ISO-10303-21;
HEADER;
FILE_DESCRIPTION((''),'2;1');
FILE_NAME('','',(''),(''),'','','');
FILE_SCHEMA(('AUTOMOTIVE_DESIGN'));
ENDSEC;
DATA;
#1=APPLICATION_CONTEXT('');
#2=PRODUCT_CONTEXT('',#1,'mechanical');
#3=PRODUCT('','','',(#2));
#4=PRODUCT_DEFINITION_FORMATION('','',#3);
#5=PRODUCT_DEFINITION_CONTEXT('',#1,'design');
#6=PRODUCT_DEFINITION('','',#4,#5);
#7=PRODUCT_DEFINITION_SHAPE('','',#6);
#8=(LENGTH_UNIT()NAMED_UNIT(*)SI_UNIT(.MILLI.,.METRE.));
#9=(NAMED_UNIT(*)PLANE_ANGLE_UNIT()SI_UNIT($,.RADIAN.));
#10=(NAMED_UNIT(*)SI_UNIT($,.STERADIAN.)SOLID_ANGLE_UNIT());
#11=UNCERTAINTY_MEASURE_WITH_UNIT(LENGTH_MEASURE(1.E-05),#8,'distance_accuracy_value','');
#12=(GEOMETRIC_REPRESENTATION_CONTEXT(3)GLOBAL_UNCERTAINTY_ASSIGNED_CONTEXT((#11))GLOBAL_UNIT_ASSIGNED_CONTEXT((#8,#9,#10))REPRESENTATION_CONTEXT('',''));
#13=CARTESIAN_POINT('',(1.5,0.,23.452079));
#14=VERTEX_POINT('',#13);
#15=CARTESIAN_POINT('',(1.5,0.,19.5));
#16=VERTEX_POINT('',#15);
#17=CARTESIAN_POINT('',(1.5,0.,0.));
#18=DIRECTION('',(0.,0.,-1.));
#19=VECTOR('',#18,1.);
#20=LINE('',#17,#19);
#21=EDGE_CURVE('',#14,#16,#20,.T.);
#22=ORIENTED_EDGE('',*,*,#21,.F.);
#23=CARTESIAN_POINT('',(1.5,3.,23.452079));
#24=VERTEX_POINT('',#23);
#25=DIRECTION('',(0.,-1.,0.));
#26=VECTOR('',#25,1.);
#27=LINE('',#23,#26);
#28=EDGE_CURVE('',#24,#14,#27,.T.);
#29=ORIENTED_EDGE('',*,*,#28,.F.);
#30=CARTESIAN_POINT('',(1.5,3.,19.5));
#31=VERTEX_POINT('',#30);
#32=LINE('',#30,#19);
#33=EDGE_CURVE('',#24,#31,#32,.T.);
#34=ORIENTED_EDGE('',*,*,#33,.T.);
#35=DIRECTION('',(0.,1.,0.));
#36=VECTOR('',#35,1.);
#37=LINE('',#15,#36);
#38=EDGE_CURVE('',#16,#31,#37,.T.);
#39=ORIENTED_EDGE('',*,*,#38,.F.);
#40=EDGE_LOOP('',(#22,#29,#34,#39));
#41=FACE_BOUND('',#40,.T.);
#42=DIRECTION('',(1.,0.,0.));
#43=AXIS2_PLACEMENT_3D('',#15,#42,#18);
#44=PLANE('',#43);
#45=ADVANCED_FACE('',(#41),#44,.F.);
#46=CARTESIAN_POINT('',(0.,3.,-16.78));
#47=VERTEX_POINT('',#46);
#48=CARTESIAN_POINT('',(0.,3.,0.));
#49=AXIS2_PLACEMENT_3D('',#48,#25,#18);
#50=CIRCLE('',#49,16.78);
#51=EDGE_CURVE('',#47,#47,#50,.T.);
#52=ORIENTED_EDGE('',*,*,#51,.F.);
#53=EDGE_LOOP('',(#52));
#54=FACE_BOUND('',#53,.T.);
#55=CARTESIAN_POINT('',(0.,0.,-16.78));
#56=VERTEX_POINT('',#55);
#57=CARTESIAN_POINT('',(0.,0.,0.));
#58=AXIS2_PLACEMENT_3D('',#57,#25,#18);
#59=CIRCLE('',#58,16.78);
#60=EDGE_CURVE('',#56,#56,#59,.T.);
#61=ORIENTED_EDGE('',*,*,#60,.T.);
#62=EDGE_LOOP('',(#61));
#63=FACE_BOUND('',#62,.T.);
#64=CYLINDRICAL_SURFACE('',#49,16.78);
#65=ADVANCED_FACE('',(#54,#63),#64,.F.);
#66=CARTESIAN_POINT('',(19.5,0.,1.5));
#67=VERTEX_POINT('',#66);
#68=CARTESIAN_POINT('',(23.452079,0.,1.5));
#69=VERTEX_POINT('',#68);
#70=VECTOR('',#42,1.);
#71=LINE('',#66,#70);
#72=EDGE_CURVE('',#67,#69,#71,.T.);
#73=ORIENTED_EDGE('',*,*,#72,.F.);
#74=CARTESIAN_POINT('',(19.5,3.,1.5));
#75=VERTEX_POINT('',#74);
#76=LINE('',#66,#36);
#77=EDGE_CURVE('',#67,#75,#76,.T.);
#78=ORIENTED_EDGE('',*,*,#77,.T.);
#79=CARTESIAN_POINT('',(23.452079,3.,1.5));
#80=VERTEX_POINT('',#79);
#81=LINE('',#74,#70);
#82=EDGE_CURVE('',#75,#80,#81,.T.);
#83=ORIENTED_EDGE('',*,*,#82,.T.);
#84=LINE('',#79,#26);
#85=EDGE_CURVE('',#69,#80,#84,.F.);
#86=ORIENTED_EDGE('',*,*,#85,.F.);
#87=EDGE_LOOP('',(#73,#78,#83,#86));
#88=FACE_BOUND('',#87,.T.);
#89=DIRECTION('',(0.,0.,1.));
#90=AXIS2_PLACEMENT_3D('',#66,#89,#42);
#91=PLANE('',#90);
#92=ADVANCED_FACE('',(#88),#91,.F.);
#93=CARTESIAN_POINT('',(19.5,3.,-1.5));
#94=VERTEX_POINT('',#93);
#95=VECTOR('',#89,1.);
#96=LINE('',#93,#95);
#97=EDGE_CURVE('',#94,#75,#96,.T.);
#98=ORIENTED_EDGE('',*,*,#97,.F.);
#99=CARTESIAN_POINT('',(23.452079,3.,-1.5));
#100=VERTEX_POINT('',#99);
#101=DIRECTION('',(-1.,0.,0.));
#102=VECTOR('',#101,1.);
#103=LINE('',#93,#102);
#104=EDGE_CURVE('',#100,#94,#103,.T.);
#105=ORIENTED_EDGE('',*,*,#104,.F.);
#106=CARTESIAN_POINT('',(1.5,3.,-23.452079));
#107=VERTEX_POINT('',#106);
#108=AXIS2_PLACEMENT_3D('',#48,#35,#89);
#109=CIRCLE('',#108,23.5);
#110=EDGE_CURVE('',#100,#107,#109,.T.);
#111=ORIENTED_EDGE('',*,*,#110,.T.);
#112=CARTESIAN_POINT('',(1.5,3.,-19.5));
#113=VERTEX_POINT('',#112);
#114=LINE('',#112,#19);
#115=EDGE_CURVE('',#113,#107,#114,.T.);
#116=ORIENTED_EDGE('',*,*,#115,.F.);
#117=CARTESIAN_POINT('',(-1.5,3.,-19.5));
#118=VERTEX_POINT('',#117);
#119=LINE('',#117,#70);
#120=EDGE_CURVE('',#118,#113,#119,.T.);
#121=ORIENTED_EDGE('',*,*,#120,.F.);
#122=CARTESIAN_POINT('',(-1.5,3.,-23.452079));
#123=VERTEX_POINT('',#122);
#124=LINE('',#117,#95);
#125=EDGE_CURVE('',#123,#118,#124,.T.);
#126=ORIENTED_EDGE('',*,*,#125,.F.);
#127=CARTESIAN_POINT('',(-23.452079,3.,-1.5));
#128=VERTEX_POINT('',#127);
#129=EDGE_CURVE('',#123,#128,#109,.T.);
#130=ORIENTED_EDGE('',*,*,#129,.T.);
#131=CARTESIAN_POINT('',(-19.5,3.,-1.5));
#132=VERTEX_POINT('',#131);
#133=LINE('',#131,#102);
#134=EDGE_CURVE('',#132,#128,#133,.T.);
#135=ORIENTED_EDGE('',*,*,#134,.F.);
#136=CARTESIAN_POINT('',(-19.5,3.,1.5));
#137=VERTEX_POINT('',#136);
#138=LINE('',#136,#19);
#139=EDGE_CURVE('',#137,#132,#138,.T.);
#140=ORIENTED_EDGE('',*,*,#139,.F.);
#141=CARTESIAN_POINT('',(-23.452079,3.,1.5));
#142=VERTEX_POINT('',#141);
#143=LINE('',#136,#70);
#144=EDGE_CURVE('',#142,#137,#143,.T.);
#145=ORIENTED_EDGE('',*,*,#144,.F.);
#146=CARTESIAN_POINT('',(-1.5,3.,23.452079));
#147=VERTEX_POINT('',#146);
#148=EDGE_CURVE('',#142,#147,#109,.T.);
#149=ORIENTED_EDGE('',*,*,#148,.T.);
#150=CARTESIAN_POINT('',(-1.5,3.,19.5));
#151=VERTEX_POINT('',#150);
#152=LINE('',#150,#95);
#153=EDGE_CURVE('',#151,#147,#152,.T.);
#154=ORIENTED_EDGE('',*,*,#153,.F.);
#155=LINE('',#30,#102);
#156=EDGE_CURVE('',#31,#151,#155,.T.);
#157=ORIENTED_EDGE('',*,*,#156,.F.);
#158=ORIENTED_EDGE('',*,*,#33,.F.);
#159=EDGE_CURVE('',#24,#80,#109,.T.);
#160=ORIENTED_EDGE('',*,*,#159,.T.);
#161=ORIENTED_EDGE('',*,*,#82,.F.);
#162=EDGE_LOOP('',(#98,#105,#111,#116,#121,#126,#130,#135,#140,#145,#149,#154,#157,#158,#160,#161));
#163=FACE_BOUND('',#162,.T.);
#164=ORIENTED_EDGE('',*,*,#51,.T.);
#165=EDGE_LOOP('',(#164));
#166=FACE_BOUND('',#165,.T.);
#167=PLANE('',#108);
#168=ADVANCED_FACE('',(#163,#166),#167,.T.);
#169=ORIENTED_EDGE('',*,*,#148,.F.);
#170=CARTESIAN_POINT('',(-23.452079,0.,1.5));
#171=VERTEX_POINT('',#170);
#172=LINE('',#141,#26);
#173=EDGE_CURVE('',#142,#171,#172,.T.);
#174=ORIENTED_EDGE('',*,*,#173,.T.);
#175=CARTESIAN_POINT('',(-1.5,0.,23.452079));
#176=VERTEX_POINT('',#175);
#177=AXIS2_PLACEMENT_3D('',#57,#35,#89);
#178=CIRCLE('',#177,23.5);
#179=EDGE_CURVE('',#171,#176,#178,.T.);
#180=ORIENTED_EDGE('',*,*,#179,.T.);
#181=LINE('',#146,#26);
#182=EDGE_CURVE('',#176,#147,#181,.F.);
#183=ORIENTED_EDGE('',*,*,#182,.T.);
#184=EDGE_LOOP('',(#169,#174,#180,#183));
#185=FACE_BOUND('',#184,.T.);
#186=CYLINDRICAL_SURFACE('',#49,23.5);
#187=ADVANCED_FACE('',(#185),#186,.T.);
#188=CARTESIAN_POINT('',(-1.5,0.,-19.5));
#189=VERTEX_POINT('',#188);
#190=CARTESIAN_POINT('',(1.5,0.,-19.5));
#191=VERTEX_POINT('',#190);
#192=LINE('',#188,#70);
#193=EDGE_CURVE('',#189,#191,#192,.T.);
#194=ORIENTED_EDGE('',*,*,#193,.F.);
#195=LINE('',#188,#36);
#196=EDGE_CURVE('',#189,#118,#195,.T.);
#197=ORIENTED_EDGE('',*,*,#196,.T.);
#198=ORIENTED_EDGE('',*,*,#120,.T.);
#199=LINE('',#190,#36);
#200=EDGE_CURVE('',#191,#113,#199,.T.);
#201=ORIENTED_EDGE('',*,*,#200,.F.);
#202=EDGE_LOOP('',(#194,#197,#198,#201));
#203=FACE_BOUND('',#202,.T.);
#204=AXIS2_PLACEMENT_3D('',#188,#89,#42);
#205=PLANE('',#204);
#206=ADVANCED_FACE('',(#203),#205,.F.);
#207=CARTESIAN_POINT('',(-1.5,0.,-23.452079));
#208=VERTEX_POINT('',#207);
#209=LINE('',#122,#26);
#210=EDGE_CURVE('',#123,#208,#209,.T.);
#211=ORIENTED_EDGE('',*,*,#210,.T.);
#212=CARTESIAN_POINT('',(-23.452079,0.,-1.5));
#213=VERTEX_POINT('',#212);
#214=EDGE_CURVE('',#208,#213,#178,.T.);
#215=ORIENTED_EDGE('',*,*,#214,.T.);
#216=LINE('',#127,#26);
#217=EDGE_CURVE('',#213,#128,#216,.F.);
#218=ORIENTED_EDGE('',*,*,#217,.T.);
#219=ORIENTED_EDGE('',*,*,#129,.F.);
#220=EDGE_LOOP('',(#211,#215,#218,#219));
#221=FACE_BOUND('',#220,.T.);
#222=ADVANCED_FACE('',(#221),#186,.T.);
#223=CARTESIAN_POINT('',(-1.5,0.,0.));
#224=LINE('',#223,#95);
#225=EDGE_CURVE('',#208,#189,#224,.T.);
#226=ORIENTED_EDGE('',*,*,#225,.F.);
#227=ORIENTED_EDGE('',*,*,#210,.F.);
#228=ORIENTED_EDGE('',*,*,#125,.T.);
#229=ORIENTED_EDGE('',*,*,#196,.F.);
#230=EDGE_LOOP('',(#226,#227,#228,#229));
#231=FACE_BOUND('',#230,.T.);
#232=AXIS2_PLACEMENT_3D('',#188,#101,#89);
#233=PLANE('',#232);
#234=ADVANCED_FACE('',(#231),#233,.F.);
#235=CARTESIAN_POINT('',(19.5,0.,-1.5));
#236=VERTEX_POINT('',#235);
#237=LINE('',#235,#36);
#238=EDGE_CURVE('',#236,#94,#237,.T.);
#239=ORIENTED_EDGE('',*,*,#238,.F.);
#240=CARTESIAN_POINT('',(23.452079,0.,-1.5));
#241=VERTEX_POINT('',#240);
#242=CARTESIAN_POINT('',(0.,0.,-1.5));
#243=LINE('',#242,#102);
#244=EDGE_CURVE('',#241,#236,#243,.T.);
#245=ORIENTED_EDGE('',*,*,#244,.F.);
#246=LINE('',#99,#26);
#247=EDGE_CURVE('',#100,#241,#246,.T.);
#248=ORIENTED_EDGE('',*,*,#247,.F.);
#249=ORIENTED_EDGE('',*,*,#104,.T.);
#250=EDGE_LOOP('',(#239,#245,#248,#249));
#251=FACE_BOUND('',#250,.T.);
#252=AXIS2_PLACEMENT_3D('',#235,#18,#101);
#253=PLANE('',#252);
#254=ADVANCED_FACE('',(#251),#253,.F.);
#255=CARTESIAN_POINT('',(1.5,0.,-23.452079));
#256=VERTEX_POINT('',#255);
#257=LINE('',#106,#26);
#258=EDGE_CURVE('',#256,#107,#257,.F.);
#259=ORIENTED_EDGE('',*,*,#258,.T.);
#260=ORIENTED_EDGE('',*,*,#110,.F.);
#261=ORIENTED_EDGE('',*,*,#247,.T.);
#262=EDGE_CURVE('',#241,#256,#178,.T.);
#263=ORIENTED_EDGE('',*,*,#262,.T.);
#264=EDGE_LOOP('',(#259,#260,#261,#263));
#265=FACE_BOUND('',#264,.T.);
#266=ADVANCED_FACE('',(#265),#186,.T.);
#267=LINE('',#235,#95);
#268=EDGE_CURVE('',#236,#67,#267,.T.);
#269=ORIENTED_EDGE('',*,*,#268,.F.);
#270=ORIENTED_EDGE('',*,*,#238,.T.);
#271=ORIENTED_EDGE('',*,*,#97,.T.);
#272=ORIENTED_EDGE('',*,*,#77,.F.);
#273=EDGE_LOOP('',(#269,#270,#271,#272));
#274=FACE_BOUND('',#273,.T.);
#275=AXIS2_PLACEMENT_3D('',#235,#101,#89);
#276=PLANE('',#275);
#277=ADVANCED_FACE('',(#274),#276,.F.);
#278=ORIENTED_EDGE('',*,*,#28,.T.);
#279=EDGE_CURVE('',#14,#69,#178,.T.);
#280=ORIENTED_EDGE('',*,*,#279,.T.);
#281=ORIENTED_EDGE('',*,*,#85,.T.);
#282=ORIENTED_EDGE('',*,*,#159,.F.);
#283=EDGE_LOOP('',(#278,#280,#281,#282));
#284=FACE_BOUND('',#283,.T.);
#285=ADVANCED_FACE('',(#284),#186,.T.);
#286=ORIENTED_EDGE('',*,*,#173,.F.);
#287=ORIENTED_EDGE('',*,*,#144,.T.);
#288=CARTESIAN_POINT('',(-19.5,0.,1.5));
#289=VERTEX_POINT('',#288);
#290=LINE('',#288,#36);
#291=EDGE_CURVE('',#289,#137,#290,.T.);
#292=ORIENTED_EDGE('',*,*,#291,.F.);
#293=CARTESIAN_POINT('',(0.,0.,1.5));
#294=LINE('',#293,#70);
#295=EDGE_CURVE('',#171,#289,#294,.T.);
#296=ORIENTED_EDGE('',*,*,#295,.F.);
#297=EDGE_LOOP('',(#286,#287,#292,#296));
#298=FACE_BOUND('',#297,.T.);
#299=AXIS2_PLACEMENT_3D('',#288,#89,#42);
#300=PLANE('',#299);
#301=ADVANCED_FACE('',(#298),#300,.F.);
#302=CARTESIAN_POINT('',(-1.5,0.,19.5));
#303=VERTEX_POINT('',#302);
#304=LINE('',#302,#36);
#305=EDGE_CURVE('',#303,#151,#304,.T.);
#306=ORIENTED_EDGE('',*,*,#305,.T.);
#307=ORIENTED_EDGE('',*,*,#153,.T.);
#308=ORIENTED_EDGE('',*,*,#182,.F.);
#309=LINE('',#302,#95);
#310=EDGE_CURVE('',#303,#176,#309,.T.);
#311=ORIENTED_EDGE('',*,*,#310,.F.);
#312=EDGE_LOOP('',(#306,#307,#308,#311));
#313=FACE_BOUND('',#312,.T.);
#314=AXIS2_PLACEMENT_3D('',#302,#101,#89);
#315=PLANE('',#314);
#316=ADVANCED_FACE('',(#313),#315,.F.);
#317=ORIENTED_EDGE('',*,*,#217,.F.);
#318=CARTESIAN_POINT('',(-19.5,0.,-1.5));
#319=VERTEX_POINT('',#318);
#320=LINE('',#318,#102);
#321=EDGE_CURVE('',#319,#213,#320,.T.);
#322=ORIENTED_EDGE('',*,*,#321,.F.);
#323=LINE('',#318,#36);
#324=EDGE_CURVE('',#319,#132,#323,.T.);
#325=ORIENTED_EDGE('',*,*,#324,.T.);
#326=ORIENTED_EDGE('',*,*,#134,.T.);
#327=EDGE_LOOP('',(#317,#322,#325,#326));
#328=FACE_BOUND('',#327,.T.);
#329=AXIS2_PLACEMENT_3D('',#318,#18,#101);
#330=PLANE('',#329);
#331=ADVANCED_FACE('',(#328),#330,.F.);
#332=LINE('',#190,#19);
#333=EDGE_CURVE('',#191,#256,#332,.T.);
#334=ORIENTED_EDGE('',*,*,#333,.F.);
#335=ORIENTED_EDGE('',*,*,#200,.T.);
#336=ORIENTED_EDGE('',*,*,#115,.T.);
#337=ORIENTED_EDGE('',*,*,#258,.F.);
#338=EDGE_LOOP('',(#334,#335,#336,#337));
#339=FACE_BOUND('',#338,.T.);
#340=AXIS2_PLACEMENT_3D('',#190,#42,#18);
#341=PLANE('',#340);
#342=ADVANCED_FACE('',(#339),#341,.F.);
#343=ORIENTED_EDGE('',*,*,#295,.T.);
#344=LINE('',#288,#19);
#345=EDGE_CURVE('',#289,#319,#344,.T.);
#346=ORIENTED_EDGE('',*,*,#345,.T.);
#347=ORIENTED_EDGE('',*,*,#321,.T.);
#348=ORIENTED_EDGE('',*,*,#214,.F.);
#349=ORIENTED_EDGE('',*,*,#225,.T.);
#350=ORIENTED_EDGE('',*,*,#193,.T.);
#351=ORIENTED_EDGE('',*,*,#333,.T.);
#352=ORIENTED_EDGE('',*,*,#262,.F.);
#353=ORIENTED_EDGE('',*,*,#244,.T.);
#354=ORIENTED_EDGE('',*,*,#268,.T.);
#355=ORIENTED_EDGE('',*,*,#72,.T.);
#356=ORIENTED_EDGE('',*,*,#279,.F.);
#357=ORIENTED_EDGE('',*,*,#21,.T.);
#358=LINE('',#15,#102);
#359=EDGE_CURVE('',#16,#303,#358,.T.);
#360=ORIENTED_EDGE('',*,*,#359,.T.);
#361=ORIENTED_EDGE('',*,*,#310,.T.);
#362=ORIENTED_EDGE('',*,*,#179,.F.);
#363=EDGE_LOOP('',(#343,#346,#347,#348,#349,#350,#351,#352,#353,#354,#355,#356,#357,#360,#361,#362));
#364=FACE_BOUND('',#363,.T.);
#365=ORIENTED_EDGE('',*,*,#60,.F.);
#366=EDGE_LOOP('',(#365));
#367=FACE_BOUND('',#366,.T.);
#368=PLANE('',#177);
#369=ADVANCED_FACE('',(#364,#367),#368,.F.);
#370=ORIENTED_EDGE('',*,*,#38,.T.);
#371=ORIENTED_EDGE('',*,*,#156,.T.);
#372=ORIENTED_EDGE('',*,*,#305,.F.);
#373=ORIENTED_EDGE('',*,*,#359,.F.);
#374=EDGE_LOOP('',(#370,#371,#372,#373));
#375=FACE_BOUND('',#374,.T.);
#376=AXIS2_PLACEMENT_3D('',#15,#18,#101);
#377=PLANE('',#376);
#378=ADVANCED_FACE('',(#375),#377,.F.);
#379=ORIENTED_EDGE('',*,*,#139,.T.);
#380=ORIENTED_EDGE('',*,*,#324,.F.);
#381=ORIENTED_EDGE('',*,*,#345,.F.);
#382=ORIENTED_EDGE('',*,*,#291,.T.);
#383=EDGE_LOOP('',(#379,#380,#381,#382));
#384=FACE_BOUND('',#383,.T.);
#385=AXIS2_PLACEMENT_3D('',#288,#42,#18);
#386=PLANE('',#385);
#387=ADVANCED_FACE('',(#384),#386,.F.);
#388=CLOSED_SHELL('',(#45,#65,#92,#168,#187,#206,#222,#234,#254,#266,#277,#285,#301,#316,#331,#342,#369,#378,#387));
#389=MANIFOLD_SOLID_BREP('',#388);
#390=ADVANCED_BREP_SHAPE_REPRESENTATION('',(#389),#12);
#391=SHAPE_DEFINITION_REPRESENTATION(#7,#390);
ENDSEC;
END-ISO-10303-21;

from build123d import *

# Parameters (mm, degrees)
SKICA4_R                 = 23.5
P_IDAT_VYSUNUT_M1_DEPTH  = 3
SKICA6_R                 = 16.78
ODEBRAT_VYSUNUT_M2_DEPTH = 3
SKICA7_W                 = 3
SKICA7_H                 = 6.382195619
SKICA7_W_2               = 6.382195619
SKICA7_H_2               = 3
ODEBRAT_VYSUNUT_M3_DEPTH = 3


with BuildPart() as part:
    # Skica4 → Přidat vysunutím1 (new body)
    with BuildSketch(Plane(origin=(0, 0, 0), x_dir=(1, 0, 0), z_dir=(0, 1, 0))):
        with Locations(Location((0, 0, 0), (0, 0, 270))):
            Circle(SKICA4_R)
    extrude(amount=P_IDAT_VYSUNUT_M1_DEPTH)

    # Skica6 → Odebrat vysunutím2 (cut)
    with BuildSketch(Plane.XZ):
        with Locations(Location((0, 0, 0), (0, 0, 270))):
            Circle(SKICA6_R)
    extrude(amount=-ODEBRAT_VYSUNUT_M2_DEPTH, mode=Mode.SUBTRACT)

    # Skica7 → Odebrat vysunutím3 (cut)
    with BuildSketch(Plane(origin=(0, 3, 0), x_dir=(1, 0, 0), z_dir=(0, 1, 0))):
        with Locations((0, -22.69109781)):
            Rectangle(SKICA7_W, SKICA7_H)
        with Locations((22.69109781, 0)):
            Rectangle(SKICA7_W_2, SKICA7_H_2)
        with Locations((-22.69109781, 0)):
            Rectangle(SKICA7_W_2, SKICA7_H_2)
        with Locations((0, 22.69109781)):
            Rectangle(SKICA7_W, SKICA7_H)
    extrude(amount=-ODEBRAT_VYSUNUT_M3_DEPTH, mode=Mode.SUBTRACT)


solid = part.part
